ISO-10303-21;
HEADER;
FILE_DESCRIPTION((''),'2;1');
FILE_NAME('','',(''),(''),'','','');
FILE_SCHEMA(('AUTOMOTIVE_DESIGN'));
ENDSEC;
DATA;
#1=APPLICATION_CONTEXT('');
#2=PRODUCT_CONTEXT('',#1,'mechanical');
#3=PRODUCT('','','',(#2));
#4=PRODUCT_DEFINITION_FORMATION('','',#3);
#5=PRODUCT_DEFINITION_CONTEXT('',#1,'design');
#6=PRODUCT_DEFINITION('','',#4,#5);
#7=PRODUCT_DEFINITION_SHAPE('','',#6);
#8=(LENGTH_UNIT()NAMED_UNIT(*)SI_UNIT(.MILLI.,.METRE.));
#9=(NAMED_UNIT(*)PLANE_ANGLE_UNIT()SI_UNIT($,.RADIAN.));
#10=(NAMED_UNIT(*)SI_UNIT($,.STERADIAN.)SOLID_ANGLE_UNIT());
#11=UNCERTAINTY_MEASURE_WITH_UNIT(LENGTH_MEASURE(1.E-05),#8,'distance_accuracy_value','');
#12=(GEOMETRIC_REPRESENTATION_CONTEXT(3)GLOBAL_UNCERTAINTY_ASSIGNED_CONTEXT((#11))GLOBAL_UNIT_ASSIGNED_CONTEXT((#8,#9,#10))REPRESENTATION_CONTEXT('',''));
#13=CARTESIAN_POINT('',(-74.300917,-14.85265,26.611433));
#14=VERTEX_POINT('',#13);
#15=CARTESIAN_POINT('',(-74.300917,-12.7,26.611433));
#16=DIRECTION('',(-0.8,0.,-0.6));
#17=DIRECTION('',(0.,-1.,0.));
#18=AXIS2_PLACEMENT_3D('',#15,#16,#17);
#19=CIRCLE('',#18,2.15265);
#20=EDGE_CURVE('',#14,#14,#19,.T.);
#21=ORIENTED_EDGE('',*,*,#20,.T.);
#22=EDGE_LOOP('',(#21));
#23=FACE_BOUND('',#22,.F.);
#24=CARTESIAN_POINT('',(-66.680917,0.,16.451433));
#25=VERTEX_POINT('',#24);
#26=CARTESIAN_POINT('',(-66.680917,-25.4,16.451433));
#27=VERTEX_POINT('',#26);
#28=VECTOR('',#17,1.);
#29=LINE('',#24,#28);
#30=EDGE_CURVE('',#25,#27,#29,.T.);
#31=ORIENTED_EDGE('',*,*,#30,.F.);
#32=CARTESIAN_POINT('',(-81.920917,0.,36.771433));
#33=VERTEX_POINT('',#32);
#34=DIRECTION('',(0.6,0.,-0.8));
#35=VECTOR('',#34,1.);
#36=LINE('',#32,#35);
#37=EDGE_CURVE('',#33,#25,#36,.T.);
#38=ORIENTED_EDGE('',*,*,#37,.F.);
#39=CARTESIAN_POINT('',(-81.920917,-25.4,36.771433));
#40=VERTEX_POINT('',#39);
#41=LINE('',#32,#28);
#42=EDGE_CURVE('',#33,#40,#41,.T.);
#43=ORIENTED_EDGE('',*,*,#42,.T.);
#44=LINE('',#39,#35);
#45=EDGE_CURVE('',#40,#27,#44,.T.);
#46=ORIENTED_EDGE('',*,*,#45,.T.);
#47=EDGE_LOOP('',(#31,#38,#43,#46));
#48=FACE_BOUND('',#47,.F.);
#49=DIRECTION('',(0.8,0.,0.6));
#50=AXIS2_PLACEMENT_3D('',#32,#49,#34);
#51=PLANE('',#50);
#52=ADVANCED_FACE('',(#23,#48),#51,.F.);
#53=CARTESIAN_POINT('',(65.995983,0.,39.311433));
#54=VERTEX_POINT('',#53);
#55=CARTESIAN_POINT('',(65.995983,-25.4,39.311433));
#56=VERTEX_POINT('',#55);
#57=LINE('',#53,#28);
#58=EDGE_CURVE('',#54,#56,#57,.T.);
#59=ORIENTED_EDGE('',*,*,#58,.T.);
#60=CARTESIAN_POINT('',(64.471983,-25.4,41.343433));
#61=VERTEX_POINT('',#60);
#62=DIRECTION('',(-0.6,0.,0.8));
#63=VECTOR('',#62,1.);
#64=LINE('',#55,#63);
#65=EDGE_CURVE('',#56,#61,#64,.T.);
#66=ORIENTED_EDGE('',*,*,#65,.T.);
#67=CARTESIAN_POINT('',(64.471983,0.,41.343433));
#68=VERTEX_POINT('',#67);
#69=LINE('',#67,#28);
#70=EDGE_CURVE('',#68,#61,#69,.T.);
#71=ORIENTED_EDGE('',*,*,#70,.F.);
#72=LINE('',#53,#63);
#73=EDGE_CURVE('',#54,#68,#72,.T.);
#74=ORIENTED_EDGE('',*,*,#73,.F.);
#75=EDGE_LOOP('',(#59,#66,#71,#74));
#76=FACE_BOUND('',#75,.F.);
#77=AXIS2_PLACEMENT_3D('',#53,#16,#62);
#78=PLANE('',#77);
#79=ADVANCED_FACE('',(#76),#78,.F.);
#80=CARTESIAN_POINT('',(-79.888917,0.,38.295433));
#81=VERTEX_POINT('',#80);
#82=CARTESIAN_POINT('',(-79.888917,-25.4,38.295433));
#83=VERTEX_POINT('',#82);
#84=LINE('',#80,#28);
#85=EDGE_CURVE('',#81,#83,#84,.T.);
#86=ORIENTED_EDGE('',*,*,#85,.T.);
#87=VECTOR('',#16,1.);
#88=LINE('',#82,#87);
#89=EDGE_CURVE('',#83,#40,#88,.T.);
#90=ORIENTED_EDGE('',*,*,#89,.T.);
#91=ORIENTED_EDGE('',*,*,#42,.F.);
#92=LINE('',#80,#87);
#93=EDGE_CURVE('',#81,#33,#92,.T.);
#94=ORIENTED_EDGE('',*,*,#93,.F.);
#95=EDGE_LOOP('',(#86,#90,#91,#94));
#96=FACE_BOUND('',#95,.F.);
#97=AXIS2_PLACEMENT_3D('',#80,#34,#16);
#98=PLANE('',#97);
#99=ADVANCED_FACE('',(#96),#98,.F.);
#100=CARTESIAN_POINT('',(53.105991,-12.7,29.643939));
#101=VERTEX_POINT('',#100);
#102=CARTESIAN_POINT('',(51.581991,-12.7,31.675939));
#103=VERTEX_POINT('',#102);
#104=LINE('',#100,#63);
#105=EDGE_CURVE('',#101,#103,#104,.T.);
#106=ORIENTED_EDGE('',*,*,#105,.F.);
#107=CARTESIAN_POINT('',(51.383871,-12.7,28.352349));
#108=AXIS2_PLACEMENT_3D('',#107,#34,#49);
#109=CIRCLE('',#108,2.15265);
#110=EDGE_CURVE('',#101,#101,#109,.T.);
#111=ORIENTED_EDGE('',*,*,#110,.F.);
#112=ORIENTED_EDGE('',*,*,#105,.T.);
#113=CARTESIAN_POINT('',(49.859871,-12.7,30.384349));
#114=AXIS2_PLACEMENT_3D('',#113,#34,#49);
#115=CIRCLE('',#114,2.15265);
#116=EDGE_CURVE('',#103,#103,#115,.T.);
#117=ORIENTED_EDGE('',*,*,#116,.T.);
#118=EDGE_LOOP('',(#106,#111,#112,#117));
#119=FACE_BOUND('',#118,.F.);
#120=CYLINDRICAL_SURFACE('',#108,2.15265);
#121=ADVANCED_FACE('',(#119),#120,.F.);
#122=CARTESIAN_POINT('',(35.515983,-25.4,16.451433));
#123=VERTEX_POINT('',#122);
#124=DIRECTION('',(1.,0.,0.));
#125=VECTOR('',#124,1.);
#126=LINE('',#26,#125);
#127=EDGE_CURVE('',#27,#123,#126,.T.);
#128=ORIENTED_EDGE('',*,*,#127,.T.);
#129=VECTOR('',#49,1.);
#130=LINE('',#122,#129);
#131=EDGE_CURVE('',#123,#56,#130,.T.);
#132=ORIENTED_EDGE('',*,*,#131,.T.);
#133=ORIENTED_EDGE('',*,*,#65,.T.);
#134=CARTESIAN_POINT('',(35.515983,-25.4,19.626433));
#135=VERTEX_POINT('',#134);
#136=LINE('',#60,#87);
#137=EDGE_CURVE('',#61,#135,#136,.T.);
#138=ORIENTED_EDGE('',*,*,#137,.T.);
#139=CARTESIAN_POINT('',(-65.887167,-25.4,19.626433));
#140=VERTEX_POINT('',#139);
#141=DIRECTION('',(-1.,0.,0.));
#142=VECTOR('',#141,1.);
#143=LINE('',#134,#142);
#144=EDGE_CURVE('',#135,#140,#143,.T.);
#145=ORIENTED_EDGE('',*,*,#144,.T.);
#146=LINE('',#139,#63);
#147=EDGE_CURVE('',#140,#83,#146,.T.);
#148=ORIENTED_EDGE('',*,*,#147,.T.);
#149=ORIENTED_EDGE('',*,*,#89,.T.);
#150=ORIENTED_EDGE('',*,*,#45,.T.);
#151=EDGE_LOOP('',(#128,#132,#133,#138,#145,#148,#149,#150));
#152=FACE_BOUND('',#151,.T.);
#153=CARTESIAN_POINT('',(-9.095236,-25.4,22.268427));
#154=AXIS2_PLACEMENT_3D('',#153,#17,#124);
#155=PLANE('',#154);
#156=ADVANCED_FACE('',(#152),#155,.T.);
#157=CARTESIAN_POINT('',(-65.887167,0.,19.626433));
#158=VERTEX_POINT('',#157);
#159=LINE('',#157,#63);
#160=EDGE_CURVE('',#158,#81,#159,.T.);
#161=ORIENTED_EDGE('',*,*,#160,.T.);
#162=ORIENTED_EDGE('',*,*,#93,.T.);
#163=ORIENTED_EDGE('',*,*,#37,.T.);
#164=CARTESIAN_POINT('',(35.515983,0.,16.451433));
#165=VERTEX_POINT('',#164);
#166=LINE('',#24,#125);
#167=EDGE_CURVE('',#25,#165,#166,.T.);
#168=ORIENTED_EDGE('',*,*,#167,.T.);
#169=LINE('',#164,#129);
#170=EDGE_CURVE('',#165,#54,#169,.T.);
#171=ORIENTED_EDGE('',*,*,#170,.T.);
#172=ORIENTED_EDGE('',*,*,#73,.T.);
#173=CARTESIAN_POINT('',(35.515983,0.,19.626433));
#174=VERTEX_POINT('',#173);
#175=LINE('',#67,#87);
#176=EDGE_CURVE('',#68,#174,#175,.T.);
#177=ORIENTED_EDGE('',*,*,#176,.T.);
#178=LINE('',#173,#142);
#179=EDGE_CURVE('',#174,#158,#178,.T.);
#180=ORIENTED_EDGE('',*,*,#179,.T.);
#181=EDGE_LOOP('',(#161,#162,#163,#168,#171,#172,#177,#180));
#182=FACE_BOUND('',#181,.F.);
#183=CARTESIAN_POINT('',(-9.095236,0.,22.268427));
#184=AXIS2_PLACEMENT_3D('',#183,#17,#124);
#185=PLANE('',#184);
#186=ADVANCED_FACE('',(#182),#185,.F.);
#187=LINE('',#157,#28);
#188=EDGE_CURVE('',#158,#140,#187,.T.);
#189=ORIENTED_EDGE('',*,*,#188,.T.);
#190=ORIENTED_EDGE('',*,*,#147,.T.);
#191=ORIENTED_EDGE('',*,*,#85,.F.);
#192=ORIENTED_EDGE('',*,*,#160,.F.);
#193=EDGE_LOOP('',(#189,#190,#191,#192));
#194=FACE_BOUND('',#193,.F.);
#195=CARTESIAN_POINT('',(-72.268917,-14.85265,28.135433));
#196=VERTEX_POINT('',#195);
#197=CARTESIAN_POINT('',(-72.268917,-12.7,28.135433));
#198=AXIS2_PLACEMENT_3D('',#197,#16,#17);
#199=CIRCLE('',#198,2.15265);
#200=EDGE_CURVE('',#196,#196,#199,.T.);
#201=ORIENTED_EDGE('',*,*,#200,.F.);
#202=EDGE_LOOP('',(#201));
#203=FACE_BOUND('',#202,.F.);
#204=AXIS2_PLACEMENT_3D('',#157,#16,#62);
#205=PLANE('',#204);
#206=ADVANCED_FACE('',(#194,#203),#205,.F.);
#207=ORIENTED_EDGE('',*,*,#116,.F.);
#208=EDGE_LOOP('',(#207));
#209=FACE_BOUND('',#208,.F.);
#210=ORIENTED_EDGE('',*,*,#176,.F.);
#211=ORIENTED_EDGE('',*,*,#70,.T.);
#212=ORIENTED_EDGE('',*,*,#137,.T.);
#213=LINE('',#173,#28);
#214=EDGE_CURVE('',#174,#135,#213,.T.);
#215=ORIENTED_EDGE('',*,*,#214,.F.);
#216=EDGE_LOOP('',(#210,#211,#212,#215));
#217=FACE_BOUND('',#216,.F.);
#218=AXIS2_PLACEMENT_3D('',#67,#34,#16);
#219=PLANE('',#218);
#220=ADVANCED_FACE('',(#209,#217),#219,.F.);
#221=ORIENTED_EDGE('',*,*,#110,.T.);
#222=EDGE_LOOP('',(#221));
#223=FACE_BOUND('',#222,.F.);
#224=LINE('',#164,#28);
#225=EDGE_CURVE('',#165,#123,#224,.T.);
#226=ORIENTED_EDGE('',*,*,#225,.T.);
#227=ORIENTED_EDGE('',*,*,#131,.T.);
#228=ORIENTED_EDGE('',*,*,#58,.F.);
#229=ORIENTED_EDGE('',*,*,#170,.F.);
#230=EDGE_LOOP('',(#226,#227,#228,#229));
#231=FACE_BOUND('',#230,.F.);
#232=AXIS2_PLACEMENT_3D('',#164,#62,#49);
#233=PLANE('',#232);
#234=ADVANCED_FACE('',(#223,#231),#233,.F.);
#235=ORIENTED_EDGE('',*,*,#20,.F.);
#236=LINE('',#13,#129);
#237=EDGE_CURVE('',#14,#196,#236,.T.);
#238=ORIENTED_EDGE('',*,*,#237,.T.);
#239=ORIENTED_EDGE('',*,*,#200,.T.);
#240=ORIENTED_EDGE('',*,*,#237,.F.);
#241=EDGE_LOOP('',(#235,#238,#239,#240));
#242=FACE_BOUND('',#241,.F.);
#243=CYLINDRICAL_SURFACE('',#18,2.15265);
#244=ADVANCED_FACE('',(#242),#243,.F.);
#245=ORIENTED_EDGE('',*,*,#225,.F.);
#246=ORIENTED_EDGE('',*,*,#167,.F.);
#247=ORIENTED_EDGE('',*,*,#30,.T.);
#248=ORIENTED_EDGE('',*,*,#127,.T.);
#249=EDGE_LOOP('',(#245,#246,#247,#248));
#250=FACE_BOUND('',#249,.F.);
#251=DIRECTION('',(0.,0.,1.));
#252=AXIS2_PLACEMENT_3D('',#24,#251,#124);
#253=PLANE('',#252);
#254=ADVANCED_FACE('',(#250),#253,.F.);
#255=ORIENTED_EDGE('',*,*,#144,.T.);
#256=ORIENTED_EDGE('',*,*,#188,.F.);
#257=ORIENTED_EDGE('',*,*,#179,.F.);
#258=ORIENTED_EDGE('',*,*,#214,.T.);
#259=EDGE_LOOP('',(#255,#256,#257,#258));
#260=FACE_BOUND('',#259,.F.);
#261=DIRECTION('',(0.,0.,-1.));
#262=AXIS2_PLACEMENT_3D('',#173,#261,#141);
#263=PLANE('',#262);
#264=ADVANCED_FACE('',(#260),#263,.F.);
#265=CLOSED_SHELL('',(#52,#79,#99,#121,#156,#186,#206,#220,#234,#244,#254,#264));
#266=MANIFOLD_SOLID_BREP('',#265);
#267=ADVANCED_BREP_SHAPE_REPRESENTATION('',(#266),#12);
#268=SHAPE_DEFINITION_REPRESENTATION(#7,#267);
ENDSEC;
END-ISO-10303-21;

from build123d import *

# Parameters (mm, degrees)
F1_DEPTH = 25.4
F2_R     = 2.15265
F4_DEPTH = 25.4
F3_R     = 2.15265
F5_DEPTH = 25.4


with BuildPart() as f1:
    # F0 (on Front) → F1 (new body)
    with BuildSketch(Plane.XZ):
        Polygon((-66.6809173423, 16.451433301), (35.5159826577, 16.451433301), (65.9959826577, 39.311433301), (64.4719826577, 41.343433301), (35.5159826577, 19.626433301), (-65.8871673423, 19.626433301), (-79.8889173423, 38.295433301), (-81.9209173423, 36.771433301), align=None)
    extrude(amount=F1_DEPTH)

    # F2 (on face) → F4 (cut)
    with BuildSketch(Plane(origin=(4.8890657723, 0, -6.5187543631), x_dir=(0.8, 0, 0.6), z_dir=(0.6, 0, -0.8))):
        with Locations((58.1185061067, 12.7)):
            Circle(F2_R)
    extrude(amount=-F4_DEPTH, mode=Mode.SUBTRACT)

    # F3 (on face) → F5 (cut)
    with BuildSketch(Plane(origin=(-34.7790991146, 0, -26.084324336), x_dir=(0, -1, 0), z_dir=(-0.8, 0, -0.6))):
        with Locations((12.7, 65.8696970462)):
            Circle(F3_R)
    extrude(amount=-F5_DEPTH, mode=Mode.SUBTRACT)


solid = f1.part
